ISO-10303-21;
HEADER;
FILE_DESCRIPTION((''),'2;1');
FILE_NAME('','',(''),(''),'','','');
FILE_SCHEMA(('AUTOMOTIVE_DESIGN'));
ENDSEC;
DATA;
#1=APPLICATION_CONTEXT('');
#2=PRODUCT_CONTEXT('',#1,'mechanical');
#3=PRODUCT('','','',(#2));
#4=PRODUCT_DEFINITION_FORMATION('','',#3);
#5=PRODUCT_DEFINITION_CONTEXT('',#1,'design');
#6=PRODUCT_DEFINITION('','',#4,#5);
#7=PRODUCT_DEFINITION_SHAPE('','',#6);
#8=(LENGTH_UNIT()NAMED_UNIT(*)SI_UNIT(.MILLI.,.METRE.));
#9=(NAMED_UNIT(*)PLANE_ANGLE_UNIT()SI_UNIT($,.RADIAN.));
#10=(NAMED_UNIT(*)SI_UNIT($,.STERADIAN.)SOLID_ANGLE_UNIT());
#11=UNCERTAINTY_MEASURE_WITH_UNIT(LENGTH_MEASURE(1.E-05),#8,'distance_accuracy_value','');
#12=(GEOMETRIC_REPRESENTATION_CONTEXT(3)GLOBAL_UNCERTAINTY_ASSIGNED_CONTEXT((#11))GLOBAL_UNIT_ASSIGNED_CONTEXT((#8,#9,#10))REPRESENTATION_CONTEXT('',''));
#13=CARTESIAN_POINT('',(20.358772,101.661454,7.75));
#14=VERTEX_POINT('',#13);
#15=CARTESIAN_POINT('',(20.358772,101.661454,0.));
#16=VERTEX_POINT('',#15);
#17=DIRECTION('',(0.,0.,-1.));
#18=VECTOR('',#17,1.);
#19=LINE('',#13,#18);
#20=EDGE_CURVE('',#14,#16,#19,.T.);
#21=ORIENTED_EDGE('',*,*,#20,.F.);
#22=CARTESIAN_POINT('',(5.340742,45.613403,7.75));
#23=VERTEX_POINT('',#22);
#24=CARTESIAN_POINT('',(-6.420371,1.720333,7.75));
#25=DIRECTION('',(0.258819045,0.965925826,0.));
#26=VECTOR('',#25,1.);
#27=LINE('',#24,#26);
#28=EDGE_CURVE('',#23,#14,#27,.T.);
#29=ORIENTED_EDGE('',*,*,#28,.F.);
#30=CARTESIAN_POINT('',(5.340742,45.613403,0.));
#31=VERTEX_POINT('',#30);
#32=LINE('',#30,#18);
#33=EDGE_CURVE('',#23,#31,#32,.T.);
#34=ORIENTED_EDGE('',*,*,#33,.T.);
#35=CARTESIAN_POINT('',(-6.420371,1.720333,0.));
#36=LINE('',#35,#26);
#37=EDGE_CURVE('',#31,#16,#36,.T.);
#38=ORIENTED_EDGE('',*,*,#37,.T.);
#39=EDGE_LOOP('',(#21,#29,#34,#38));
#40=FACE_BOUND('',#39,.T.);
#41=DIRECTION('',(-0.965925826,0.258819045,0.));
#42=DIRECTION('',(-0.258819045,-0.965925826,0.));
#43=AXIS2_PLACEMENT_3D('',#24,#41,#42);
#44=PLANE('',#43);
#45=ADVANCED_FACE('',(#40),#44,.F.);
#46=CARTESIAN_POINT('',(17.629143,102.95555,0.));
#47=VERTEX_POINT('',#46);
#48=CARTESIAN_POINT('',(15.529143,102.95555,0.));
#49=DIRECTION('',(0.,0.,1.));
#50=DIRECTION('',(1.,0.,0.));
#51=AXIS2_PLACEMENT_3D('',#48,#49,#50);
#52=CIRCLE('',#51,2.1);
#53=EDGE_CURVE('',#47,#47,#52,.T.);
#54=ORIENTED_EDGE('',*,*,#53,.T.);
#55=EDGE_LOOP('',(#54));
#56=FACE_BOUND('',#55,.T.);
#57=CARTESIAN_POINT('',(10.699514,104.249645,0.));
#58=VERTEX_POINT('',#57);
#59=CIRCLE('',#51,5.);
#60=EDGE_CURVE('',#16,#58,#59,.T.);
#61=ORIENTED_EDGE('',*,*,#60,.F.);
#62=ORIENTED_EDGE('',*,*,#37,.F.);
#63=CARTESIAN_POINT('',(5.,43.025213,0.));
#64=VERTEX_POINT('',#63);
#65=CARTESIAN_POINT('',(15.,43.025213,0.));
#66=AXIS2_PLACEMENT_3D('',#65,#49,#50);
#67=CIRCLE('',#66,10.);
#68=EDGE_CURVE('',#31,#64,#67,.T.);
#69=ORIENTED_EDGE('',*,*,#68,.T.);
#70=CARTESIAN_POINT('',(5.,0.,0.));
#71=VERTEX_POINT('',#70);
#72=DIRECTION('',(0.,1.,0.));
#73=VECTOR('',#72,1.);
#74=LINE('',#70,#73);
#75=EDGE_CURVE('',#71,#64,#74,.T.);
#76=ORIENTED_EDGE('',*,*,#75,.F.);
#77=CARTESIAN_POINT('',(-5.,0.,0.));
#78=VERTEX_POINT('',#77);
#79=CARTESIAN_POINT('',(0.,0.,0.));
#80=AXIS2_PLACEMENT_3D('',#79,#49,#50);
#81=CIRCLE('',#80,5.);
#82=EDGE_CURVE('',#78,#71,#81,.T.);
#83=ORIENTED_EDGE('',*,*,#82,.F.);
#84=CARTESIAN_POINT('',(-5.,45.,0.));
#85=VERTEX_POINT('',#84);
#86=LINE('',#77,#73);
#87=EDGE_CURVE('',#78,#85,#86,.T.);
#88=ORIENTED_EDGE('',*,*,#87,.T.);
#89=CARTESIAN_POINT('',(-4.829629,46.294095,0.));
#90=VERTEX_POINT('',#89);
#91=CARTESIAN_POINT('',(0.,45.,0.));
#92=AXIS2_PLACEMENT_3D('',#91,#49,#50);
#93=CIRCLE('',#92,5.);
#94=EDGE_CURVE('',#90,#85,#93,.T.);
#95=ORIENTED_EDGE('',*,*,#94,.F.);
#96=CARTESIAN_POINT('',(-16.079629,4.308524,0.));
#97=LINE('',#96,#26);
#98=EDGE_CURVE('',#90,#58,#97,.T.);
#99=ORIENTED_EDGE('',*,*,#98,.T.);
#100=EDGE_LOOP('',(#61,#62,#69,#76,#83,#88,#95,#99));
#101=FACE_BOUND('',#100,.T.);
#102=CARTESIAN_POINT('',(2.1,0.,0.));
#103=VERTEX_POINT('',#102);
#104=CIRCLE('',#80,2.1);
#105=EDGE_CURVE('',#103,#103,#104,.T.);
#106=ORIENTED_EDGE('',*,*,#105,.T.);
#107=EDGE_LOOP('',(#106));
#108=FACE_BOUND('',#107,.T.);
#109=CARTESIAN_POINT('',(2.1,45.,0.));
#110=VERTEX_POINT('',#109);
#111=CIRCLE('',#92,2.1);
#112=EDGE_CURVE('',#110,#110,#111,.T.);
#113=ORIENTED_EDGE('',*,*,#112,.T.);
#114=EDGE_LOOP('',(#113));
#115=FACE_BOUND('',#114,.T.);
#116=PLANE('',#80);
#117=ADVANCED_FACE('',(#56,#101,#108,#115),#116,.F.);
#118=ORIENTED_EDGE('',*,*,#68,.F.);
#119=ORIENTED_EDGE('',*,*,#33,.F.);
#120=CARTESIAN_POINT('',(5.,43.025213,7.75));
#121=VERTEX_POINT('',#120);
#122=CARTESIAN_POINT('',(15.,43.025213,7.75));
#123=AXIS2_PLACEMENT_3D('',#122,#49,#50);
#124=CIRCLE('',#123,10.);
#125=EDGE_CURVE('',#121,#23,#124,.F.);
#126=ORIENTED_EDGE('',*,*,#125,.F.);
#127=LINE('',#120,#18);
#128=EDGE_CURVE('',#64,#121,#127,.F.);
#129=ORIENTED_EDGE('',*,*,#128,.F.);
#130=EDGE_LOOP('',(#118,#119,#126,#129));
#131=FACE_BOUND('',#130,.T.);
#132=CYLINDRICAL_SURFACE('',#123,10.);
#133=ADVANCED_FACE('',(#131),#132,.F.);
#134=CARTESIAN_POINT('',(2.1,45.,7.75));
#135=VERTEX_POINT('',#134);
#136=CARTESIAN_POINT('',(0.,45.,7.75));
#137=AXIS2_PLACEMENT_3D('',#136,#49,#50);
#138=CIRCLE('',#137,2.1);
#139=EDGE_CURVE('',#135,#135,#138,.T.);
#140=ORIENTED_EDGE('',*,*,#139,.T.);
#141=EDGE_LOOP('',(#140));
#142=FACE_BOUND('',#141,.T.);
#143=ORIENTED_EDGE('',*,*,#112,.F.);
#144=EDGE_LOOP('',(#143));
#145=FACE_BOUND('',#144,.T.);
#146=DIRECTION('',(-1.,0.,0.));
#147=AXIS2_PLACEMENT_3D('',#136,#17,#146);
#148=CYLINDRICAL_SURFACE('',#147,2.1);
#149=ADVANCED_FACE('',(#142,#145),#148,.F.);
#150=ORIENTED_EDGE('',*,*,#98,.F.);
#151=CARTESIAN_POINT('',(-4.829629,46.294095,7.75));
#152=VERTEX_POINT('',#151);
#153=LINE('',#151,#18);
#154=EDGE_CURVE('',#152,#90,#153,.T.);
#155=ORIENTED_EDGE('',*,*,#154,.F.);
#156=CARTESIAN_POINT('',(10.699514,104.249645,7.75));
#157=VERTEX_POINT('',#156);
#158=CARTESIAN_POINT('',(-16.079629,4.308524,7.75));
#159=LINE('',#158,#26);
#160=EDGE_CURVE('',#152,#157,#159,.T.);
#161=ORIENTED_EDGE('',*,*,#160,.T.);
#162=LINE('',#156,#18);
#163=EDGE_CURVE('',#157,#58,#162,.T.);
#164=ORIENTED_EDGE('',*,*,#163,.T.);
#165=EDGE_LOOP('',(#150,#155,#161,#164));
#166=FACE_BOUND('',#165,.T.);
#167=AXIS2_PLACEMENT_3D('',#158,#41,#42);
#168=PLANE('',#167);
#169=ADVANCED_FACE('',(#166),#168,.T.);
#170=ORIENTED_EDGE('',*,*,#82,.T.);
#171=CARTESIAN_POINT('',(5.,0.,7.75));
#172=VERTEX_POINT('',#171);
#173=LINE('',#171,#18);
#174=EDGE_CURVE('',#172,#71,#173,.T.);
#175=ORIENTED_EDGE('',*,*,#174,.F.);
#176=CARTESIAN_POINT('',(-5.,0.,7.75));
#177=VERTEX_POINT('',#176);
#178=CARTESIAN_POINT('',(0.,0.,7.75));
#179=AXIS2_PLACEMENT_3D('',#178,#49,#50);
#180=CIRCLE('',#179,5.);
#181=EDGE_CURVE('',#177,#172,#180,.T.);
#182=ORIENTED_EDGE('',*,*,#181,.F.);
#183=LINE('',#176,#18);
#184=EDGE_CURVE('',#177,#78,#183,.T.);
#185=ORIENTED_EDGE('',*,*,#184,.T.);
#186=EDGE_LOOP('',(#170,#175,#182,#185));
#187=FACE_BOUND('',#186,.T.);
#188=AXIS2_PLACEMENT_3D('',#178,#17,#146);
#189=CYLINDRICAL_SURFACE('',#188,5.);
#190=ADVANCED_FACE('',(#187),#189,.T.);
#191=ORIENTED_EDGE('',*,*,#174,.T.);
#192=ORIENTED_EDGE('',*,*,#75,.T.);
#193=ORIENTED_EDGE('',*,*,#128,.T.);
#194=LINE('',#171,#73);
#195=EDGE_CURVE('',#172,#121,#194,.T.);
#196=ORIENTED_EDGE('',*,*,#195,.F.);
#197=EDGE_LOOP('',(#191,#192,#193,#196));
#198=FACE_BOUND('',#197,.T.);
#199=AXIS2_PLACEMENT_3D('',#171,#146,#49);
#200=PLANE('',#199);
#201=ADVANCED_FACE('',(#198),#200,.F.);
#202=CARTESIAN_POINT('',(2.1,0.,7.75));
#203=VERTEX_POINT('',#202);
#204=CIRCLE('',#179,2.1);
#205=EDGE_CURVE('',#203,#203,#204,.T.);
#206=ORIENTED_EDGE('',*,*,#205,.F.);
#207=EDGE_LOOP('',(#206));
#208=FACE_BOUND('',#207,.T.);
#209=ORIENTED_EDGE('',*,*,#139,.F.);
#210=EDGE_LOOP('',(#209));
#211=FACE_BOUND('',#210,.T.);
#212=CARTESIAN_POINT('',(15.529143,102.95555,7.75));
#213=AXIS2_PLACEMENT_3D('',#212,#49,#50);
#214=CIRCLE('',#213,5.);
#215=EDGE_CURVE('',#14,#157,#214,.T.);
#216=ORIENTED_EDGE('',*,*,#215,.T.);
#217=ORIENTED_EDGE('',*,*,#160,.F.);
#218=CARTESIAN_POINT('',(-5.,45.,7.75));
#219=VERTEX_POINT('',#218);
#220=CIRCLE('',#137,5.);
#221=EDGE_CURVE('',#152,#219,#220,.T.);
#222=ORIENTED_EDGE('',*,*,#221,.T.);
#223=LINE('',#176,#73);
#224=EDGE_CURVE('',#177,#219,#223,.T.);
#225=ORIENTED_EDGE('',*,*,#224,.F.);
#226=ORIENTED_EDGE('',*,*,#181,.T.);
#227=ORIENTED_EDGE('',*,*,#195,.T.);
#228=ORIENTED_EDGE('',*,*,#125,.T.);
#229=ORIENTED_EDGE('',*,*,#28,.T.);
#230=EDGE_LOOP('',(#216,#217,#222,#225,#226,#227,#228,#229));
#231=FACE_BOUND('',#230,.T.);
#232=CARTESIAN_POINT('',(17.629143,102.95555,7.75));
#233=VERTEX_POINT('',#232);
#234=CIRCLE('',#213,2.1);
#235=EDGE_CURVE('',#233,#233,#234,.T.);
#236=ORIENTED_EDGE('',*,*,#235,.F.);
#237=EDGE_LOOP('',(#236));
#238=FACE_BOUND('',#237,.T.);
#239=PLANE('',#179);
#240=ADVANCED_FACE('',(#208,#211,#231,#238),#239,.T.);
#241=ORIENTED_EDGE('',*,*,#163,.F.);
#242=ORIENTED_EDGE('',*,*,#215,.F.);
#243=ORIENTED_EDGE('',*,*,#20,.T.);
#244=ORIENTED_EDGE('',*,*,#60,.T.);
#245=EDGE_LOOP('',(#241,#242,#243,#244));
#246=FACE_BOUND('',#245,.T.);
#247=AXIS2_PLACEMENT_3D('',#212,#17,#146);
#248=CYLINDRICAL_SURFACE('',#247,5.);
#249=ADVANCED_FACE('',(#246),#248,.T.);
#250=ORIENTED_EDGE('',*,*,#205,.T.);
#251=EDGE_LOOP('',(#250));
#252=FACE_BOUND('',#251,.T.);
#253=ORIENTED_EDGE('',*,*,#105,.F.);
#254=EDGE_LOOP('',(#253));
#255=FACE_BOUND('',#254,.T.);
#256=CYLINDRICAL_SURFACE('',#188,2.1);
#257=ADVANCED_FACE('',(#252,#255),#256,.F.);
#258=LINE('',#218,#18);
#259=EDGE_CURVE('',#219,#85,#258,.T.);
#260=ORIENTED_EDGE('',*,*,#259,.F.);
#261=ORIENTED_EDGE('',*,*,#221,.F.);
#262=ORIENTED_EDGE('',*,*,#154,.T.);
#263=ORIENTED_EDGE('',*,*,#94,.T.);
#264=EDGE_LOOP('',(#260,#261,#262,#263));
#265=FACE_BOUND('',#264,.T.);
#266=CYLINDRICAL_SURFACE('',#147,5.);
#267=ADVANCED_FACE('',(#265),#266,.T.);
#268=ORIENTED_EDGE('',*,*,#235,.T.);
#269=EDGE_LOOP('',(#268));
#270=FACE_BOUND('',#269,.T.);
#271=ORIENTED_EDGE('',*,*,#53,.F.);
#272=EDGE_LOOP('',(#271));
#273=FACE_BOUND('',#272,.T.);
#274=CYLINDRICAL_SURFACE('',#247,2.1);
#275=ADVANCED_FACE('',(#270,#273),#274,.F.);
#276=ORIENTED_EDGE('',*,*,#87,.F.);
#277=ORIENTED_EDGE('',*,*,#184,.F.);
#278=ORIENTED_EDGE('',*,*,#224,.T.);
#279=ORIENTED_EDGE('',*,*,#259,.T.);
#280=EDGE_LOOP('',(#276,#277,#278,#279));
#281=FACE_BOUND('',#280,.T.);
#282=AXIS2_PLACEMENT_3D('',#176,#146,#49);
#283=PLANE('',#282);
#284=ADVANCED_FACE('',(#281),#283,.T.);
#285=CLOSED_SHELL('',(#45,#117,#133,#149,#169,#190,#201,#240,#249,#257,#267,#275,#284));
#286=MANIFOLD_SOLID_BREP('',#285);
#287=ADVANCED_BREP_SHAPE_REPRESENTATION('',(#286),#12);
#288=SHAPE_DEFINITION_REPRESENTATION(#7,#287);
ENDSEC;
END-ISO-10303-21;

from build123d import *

# Parameters (mm, degrees)
ESQUISSE1_R        = 2.1
BOSS_EXTRU_1_DEPTH = 7.75
CONG_1_R           = 10


with BuildPart() as part:
    # Esquisse1 → Boss.-Extru.1 (new body)
    # profile 1 of 3: a face of its own
    with BuildSketch(Plane.XY):
        with BuildLine():
            Line((10.699513575, 104.249644803), (-4.829629131, 46.294095226))
            ThreePointArc((-4.829629131, 46.294095226), (0.652630961, 49.957224307), (5, 45))
            Line((5, 45), (5, 44.341737512))
            Line((5, 44.341737512), (20.358771838, 101.661454352))
            ThreePointArc((20.358771838, 101.661454352), (16.823237932, 107.785178709), (10.699513575, 104.249644803))
        make_face()
        with Locations((15.529142706, 102.955549577)):
            Circle(ESQUISSE1_R, mode=Mode.SUBTRACT)
    # profile 2 of 3: a face of its own
    with BuildSketch(Plane.XY):
        with BuildLine():
            ThreePointArc((-4.829629131, 46.294095226), (-4.957224307, 45.652630961), (-5, 45))
            ThreePointArc((-5, 45), (-0.652630961, 40.042775693), (4.829629131, 43.705904774))
            Line((4.829629131, 43.705904774), (5, 44.341737512))
            Line((5, 44.341737512), (5, 45))
            ThreePointArc((5, 45), (0.652630961, 49.957224307), (-4.829629131, 46.294095226))
        make_face()
        with Locations((0, 45)):
            Circle(ESQUISSE1_R, mode=Mode.SUBTRACT)
    # profile 3 of 3: a face of its own
    with BuildSketch(Plane.XY):
        with BuildLine():
            Line((-5, 45), (-5, 0))
            ThreePointArc((-5, 0), (0, -5), (5, 0))
            Line((5, 0), (5, 44.341737512))
            Line((5, 44.341737512), (4.829629131, 43.705904774))
            ThreePointArc((4.829629131, 43.705904774), (-0.652630961, 40.042775693), (-5, 45))
        make_face()
        Circle(ESQUISSE1_R, mode=Mode.SUBTRACT)
    extrude(amount=BOSS_EXTRU_1_DEPTH)

    # Congé1
    cong_1_edges = [part.edges().sort_by_distance(p)[0] for p in [
        (5, 44.341737512, 3.875),
    ]]
    fillet(cong_1_edges, radius=CONG_1_R)


solid = part.part
